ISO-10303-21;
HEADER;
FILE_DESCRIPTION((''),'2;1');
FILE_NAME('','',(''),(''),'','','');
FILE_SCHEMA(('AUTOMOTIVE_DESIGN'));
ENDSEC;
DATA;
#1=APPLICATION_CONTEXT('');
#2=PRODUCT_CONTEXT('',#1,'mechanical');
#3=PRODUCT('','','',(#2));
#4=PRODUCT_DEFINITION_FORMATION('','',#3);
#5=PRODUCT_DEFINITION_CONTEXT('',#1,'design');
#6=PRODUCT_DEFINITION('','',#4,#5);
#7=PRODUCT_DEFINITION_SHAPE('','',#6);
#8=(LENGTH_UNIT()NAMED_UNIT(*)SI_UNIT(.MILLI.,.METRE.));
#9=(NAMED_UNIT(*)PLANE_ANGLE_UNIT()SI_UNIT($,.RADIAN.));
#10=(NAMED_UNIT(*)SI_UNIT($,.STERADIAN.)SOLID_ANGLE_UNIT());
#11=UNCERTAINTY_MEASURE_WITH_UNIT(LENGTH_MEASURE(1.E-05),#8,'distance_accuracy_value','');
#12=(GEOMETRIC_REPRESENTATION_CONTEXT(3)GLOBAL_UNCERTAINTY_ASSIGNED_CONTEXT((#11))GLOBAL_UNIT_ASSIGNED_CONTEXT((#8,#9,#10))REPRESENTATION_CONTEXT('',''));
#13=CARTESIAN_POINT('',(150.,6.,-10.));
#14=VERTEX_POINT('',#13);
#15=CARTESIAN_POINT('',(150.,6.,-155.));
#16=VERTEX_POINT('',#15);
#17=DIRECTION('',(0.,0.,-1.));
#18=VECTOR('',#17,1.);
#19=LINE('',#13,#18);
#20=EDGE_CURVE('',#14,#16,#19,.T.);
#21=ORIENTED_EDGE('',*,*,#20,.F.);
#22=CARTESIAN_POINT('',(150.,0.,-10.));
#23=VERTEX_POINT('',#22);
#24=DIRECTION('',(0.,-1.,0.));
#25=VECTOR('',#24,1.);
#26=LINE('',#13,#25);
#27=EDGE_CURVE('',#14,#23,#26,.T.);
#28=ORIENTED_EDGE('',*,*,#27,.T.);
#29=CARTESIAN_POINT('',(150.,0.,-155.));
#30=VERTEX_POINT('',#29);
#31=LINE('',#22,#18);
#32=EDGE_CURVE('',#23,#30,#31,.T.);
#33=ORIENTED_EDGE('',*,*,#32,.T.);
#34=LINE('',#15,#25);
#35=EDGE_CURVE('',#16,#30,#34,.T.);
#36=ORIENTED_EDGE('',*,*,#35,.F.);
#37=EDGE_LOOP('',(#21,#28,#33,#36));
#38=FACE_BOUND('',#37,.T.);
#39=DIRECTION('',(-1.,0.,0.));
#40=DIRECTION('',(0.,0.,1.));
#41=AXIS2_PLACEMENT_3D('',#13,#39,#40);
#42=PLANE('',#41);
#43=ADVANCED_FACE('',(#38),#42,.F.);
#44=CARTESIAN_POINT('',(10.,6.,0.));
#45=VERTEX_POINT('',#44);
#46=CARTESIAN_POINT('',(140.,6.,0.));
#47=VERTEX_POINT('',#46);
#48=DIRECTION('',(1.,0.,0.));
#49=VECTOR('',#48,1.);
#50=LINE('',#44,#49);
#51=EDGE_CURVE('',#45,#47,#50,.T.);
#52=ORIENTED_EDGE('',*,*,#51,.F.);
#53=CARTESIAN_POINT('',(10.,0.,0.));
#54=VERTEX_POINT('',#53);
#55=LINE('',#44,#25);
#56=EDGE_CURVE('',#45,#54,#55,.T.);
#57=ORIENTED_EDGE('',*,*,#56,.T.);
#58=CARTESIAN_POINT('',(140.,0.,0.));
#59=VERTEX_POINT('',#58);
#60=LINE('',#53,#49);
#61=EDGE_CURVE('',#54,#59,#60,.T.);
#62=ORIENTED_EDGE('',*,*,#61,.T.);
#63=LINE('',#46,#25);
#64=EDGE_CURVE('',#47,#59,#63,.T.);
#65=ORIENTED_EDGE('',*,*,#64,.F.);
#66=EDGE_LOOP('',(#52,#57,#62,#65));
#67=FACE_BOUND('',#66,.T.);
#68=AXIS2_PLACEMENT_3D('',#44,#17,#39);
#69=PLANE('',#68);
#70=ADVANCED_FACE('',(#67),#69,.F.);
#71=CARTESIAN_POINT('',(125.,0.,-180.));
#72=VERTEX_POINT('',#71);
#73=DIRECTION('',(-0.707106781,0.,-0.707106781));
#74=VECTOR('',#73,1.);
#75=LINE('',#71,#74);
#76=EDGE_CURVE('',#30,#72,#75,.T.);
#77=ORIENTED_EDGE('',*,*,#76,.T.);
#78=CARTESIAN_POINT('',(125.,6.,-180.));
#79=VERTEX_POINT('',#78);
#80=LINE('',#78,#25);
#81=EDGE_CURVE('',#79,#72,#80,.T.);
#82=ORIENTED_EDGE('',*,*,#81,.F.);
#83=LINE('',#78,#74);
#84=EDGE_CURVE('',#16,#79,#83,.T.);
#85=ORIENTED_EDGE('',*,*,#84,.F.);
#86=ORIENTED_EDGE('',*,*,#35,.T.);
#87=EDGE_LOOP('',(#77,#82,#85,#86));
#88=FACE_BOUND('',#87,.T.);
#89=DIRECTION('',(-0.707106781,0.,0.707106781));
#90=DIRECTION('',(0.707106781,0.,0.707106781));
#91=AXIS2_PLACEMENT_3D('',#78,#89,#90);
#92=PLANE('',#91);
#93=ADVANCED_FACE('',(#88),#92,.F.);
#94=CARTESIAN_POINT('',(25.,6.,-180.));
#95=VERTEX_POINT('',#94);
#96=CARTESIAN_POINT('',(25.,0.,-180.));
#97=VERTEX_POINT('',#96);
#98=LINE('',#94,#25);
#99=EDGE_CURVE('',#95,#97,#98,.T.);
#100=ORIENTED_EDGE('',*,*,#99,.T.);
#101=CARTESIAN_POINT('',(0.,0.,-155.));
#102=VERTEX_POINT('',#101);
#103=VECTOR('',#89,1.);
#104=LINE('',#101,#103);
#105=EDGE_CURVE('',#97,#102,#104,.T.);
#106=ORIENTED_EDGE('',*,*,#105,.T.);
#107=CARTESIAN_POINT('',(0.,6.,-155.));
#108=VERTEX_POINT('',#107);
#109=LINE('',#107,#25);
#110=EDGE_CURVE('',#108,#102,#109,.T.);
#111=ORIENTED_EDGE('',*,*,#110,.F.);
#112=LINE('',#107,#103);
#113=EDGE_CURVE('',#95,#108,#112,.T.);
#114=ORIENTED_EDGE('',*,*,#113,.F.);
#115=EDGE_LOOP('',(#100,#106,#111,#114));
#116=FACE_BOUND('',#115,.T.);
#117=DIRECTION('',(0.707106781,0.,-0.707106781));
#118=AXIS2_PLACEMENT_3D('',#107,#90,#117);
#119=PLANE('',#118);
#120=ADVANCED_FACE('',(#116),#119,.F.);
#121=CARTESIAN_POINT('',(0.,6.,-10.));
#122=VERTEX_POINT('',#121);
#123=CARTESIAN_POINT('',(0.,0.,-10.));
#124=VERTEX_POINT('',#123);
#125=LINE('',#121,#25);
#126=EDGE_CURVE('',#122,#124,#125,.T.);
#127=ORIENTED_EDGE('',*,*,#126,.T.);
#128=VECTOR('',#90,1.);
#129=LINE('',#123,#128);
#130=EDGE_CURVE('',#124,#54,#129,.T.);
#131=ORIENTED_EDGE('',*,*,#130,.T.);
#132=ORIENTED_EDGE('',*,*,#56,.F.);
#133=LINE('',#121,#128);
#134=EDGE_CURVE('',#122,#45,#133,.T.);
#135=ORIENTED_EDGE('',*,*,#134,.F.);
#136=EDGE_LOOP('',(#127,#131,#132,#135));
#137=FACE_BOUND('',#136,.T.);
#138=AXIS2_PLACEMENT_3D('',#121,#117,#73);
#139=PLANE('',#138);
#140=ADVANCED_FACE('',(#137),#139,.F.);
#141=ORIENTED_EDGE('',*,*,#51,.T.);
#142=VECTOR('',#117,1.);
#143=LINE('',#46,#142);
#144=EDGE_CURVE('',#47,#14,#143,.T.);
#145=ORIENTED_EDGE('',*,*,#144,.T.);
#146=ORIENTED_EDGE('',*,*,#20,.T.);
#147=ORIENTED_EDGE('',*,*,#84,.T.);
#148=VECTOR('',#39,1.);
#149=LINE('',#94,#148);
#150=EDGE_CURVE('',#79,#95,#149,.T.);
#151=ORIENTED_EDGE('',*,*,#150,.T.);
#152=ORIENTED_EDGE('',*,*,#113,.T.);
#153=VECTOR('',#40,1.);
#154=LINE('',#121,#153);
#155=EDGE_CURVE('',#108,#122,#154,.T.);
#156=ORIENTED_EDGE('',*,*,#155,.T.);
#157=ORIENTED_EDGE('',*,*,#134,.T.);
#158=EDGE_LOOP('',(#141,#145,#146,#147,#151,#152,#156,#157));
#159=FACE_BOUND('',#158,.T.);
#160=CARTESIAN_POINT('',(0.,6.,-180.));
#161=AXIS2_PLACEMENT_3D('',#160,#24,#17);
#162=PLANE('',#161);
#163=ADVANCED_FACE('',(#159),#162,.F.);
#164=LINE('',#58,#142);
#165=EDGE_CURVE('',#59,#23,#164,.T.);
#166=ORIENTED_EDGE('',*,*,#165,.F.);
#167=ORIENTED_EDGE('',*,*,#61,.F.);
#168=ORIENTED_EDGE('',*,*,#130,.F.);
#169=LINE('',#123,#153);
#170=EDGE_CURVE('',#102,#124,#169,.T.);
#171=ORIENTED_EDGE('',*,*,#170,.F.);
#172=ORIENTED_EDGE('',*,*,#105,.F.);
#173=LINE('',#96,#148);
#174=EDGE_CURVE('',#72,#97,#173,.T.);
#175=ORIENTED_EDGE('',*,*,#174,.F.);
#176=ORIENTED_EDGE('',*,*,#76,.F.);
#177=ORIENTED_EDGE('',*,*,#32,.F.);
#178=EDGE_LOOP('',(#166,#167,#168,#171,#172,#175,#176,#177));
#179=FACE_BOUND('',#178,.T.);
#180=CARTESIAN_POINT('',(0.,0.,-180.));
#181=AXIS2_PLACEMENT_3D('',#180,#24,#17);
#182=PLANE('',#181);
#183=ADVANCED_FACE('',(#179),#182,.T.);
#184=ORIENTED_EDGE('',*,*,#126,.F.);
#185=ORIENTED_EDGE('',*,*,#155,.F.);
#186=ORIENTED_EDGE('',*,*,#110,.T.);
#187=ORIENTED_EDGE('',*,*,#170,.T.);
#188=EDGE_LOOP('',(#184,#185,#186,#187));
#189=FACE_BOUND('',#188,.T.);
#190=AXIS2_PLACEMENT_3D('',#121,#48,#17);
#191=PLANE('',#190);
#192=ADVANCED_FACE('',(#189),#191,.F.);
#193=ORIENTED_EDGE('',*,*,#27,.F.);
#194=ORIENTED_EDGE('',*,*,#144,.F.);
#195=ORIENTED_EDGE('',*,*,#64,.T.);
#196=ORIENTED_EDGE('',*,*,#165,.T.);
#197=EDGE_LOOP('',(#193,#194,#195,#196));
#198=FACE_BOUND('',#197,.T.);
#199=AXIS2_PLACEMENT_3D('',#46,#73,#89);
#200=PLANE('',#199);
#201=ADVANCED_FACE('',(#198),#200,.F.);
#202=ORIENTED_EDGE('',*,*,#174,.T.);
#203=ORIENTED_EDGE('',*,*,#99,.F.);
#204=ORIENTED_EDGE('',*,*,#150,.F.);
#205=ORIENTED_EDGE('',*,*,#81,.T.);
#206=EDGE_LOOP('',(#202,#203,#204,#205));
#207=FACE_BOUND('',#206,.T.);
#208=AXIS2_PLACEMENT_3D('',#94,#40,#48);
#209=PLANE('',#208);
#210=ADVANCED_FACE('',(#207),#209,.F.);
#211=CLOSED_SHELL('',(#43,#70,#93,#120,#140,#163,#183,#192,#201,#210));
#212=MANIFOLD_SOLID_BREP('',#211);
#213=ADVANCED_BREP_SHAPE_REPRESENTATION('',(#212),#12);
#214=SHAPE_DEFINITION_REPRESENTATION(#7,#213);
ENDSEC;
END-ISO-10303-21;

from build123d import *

# Parameters (mm, degrees)
BOSS_EXTRUDE1_DEPTH = 6


with BuildPart() as part:
    # Sketch5 → Boss-Extrude1 (new body)
    with BuildSketch(Plane(origin=(0, 0, 0), x_dir=(1, 0, 0), z_dir=(0, 1, 0))):
        Polygon((0, 155), (25, 180), (125, 180), (150, 155), (150, 10), (140, 0), (10, 0), (0, 10), align=None)
    extrude(amount=BOSS_EXTRUDE1_DEPTH)


solid = part.part
